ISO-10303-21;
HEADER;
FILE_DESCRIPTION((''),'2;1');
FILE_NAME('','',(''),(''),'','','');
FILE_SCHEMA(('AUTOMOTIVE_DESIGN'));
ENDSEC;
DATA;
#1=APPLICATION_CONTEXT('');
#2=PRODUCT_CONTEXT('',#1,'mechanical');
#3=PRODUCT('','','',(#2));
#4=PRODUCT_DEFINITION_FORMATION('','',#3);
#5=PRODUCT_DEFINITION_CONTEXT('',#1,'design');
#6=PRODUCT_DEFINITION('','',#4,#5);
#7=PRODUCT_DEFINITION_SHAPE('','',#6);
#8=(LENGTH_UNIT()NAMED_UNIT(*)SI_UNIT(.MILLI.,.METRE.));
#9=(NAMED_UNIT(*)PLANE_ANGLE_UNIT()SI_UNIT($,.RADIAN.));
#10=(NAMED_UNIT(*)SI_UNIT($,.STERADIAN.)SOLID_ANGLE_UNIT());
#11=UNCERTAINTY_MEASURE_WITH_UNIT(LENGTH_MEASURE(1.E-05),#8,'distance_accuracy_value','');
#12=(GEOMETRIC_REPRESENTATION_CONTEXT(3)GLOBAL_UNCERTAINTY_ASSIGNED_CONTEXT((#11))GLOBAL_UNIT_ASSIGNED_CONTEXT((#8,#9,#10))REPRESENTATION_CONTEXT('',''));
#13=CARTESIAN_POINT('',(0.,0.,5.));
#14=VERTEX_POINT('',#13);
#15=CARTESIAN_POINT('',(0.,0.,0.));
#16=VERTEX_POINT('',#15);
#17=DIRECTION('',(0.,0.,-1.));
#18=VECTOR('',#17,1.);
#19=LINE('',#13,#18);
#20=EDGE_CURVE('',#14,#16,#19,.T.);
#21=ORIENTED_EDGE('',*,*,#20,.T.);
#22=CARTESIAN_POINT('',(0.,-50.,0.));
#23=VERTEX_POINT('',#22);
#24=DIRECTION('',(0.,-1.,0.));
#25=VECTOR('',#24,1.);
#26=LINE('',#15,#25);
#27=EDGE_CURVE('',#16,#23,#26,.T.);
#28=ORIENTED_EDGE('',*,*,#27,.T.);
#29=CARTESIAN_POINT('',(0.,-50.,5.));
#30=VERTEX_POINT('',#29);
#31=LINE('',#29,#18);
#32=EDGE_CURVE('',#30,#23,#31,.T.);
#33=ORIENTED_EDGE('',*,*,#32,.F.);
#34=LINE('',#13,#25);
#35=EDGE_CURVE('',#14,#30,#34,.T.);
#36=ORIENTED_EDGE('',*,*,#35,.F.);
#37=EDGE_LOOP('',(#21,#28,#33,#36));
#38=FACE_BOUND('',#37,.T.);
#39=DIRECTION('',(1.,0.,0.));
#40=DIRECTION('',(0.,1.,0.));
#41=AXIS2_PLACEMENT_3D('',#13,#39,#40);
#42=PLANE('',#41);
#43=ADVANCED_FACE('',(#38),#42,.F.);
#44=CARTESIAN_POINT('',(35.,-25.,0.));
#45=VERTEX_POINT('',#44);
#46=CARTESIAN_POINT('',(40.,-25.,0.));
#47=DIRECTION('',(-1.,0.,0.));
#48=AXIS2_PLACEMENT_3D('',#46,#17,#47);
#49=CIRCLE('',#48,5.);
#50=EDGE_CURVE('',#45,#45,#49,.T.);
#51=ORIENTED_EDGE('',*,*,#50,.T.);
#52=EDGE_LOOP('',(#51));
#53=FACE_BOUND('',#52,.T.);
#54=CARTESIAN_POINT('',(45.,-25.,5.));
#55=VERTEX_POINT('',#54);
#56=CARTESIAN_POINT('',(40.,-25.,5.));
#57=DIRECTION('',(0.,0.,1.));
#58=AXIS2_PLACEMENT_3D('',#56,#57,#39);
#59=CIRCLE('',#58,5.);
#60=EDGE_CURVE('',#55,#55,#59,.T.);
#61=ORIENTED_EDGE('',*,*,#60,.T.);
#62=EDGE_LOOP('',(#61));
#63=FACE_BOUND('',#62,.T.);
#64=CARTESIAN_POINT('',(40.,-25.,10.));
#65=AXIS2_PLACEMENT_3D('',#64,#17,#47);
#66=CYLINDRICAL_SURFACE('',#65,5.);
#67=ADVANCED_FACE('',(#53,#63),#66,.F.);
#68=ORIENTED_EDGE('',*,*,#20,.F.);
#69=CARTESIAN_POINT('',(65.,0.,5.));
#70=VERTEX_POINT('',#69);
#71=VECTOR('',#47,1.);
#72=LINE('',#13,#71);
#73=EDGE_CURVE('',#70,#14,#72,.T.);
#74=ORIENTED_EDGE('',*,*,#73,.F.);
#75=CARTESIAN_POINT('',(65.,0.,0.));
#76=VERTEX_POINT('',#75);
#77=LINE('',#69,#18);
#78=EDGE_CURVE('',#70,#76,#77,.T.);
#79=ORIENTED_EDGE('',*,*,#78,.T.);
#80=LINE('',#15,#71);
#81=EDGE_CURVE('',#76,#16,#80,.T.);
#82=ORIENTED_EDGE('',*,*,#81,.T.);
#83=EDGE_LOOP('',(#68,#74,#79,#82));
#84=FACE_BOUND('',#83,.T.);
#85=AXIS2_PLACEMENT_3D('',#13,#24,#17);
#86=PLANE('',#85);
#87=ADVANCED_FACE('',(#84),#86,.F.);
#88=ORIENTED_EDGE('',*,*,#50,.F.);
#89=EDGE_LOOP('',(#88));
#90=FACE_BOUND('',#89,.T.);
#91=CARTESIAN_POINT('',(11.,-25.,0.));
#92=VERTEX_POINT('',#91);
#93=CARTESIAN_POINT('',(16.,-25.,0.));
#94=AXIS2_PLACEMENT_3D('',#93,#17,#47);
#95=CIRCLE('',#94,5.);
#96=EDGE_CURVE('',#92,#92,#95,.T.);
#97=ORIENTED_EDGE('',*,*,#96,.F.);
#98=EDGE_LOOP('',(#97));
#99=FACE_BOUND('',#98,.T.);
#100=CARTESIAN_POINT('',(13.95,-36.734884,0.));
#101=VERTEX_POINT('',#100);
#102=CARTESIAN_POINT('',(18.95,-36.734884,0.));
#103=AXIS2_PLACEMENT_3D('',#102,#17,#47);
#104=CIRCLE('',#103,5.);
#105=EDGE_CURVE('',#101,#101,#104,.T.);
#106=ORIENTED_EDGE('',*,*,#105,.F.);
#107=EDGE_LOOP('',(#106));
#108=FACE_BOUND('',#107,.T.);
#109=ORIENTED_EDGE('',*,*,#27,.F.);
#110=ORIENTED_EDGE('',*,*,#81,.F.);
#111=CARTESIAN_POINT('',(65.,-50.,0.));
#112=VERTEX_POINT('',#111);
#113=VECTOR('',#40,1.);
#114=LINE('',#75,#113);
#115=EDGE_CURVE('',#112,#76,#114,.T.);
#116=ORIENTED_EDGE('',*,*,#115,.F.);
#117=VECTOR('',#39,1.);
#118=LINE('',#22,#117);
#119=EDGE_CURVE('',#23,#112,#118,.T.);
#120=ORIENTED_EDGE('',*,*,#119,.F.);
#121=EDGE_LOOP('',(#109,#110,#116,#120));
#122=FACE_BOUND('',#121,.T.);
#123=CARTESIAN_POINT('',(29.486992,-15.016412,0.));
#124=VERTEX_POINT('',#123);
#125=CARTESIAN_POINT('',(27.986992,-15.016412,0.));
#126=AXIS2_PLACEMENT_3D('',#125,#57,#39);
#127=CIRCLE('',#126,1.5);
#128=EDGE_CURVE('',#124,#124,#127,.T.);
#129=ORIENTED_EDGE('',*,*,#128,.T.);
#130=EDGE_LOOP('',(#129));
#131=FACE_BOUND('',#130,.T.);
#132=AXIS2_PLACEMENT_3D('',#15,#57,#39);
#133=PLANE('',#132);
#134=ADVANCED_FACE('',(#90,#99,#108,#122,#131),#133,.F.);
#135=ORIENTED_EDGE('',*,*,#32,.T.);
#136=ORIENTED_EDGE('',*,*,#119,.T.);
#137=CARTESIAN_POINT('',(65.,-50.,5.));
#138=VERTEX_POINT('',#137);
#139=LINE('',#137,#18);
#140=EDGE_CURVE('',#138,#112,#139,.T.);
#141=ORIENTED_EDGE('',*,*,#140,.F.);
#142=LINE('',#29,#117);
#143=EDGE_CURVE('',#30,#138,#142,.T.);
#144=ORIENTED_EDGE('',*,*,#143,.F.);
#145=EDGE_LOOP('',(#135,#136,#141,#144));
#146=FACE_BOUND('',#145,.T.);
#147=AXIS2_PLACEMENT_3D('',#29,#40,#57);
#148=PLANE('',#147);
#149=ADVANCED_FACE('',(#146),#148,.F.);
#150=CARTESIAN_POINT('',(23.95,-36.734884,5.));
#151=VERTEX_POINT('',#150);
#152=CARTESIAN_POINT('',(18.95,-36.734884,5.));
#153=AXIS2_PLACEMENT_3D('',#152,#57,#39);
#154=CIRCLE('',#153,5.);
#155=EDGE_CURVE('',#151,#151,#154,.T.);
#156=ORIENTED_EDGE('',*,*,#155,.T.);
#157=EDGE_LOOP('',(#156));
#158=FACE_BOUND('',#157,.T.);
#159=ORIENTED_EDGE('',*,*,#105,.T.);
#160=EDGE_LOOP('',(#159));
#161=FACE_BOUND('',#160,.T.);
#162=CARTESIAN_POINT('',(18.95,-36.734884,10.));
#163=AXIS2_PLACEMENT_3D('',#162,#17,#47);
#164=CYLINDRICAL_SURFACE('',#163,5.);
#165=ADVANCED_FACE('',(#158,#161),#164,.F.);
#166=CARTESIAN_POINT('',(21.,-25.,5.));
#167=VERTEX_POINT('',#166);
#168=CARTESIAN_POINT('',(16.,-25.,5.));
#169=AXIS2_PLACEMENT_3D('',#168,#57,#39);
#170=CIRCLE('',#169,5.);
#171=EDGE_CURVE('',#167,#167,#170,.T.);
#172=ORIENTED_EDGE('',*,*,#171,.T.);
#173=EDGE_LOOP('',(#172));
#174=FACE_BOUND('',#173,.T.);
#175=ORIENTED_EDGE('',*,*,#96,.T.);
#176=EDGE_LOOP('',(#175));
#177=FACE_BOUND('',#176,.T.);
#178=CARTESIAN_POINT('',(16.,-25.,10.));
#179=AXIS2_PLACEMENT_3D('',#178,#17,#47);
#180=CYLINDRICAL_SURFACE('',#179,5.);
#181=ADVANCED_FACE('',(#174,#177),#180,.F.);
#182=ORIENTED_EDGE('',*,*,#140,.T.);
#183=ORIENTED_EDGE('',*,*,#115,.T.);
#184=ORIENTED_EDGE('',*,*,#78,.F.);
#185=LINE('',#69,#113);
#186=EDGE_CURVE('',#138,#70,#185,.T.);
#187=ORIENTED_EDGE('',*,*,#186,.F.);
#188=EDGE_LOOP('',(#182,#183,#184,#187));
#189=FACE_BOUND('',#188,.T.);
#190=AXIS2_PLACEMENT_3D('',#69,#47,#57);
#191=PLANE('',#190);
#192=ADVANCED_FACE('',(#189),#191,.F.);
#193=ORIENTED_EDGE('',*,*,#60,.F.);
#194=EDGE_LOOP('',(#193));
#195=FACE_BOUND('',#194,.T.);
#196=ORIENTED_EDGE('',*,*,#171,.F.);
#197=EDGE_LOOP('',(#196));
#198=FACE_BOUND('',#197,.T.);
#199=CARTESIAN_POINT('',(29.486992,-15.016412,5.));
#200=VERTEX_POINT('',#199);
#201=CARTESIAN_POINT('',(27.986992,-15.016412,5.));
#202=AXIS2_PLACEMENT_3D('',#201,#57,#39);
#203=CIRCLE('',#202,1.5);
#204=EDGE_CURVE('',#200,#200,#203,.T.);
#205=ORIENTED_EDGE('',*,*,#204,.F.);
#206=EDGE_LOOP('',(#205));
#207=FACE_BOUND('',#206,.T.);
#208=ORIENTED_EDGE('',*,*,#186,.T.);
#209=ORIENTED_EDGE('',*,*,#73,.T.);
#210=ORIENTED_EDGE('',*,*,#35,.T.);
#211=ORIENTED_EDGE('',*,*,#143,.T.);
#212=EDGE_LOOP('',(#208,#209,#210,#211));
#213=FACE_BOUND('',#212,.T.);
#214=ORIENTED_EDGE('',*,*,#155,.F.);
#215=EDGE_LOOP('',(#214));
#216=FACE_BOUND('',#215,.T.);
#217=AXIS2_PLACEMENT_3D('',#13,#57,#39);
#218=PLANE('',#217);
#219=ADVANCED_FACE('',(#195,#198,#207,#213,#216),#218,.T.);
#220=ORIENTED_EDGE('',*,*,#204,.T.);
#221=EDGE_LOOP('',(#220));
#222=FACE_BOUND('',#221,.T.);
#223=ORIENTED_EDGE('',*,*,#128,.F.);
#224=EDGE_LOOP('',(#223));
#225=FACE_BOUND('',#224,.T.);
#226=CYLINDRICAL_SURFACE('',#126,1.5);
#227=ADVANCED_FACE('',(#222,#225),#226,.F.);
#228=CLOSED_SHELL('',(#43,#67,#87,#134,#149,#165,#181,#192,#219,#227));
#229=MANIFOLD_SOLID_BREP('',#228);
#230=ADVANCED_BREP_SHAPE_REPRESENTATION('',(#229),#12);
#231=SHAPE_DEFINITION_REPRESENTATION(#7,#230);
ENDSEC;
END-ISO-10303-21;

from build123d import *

# Parameters (mm, degrees)
SKETCH3_W           = 65
SKETCH3_H           = 50
BOSS_EXTRUDE2_DEPTH = 5
SKETCH4_R           = 1.5
CUT_EXTRUDE2_DEPTH  = 5
CUT_EXTRUDE3_START  = -10
CUT_EXTRUDE3_DEPTH  = 10


with BuildPart() as part:
    # Sketch3 → Boss-Extrude2 (new body)
    with BuildSketch(Plane.XY):
        with Locations((32.5, -25)):
            Rectangle(SKETCH3_W, SKETCH3_H)
    extrude(amount=BOSS_EXTRUDE2_DEPTH)

    # Sketch4 → Cut-Extrude2 (cut)
    with BuildSketch(Plane.XY.offset(5)):
        with Locations((40, -25)):
            Circle(SKETCH4_R)
        with Locations((16, -25)):
            Circle(SKETCH4_R)
        with Locations((27.986991667, -15.016411928)):
            Circle(SKETCH4_R)
    extrude(amount=-CUT_EXTRUDE2_DEPTH, mode=Mode.SUBTRACT)

    # Sketch5 → Cut-Extrude3 (cut)
    with BuildSketch(Plane(origin=(0, 0, 0), x_dir=(-1, 0, 0), z_dir=(0, 0, -1)).offset(CUT_EXTRUDE3_START)):
        with BuildLine():
            ThreePointArc((-38.689834025, -25.730386964), (-41.451765987, -24.622673194), (-38.5, -25))
            Line((-38.5, -25), (-35, -25))
            ThreePointArc((-35, -25), (-44.839219957, -23.742243979), (-35.632780083, -27.434623214))
            Line((-35.632780083, -27.434623214), (-38.689834025, -25.730386964))
        make_face()
        with BuildLine():
            Line((-35, -25), (-38.5, -25))
            ThreePointArc((-38.5, -25), (-38.548234013, -25.377326806), (-38.689834025, -25.730386964))
            Line((-38.689834025, -25.730386964), (-35.632780083, -27.434623214))
            ThreePointArc((-35.632780083, -27.434623214), (-35.160780043, -26.257756021), (-35, -25))
        make_face()
        with BuildLine():
            ThreePointArc((-17.730991736, -31.885758318), (-20.933750127, -32.145250419), (-23.317219917, -34.300260679))
            Line((-23.317219917, -34.300260679), (-18.95, -36.734883894))
            Line((-18.95, -36.734883894), (-17.730991736, -31.885758318))
        make_face()
        with BuildLine():
            Line((-18.95, -36.734883894), (-23.317219917, -34.300260679))
            ThreePointArc((-23.317219917, -34.300260679), (-20.207756021, -41.574103851), (-13.95, -36.734883894))
            ThreePointArc((-13.95, -36.734883894), (-15.006965552, -33.660395426), (-17.730991736, -31.885758318))
            Line((-17.730991736, -31.885758318), (-18.95, -36.734883894))
        make_face()
        with BuildLine():
            ThreePointArc((-11, -25), (-16, -20), (-21, -25))
            Line((-21, -25), (-17.5, -25))
            ThreePointArc((-17.5, -25), (-16, -23.5), (-14.5, -25))
            ThreePointArc((-14.5, -25), (-15.07765346, -26.182910335), (-16.365702479, -26.454737673))
            Line((-16.365702479, -26.454737673), (-17.219008264, -29.849125576))
            ThreePointArc((-17.219008264, -29.849125576), (-12.925511532, -28.943034448), (-11, -25))
        make_face()
        with BuildLine():
            Line((-17.5, -25), (-21, -25))
            ThreePointArc((-21, -25), (-19.943034448, -28.074488468), (-17.219008264, -29.849125576))
            Line((-17.219008264, -29.849125576), (-16.365702479, -26.454737673))
            ThreePointArc((-16.365702479, -26.454737673), (-17.182910335, -25.92234654), (-17.5, -25))
        make_face()
    extrude(amount=CUT_EXTRUDE3_DEPTH, mode=Mode.SUBTRACT)


solid = part.part
